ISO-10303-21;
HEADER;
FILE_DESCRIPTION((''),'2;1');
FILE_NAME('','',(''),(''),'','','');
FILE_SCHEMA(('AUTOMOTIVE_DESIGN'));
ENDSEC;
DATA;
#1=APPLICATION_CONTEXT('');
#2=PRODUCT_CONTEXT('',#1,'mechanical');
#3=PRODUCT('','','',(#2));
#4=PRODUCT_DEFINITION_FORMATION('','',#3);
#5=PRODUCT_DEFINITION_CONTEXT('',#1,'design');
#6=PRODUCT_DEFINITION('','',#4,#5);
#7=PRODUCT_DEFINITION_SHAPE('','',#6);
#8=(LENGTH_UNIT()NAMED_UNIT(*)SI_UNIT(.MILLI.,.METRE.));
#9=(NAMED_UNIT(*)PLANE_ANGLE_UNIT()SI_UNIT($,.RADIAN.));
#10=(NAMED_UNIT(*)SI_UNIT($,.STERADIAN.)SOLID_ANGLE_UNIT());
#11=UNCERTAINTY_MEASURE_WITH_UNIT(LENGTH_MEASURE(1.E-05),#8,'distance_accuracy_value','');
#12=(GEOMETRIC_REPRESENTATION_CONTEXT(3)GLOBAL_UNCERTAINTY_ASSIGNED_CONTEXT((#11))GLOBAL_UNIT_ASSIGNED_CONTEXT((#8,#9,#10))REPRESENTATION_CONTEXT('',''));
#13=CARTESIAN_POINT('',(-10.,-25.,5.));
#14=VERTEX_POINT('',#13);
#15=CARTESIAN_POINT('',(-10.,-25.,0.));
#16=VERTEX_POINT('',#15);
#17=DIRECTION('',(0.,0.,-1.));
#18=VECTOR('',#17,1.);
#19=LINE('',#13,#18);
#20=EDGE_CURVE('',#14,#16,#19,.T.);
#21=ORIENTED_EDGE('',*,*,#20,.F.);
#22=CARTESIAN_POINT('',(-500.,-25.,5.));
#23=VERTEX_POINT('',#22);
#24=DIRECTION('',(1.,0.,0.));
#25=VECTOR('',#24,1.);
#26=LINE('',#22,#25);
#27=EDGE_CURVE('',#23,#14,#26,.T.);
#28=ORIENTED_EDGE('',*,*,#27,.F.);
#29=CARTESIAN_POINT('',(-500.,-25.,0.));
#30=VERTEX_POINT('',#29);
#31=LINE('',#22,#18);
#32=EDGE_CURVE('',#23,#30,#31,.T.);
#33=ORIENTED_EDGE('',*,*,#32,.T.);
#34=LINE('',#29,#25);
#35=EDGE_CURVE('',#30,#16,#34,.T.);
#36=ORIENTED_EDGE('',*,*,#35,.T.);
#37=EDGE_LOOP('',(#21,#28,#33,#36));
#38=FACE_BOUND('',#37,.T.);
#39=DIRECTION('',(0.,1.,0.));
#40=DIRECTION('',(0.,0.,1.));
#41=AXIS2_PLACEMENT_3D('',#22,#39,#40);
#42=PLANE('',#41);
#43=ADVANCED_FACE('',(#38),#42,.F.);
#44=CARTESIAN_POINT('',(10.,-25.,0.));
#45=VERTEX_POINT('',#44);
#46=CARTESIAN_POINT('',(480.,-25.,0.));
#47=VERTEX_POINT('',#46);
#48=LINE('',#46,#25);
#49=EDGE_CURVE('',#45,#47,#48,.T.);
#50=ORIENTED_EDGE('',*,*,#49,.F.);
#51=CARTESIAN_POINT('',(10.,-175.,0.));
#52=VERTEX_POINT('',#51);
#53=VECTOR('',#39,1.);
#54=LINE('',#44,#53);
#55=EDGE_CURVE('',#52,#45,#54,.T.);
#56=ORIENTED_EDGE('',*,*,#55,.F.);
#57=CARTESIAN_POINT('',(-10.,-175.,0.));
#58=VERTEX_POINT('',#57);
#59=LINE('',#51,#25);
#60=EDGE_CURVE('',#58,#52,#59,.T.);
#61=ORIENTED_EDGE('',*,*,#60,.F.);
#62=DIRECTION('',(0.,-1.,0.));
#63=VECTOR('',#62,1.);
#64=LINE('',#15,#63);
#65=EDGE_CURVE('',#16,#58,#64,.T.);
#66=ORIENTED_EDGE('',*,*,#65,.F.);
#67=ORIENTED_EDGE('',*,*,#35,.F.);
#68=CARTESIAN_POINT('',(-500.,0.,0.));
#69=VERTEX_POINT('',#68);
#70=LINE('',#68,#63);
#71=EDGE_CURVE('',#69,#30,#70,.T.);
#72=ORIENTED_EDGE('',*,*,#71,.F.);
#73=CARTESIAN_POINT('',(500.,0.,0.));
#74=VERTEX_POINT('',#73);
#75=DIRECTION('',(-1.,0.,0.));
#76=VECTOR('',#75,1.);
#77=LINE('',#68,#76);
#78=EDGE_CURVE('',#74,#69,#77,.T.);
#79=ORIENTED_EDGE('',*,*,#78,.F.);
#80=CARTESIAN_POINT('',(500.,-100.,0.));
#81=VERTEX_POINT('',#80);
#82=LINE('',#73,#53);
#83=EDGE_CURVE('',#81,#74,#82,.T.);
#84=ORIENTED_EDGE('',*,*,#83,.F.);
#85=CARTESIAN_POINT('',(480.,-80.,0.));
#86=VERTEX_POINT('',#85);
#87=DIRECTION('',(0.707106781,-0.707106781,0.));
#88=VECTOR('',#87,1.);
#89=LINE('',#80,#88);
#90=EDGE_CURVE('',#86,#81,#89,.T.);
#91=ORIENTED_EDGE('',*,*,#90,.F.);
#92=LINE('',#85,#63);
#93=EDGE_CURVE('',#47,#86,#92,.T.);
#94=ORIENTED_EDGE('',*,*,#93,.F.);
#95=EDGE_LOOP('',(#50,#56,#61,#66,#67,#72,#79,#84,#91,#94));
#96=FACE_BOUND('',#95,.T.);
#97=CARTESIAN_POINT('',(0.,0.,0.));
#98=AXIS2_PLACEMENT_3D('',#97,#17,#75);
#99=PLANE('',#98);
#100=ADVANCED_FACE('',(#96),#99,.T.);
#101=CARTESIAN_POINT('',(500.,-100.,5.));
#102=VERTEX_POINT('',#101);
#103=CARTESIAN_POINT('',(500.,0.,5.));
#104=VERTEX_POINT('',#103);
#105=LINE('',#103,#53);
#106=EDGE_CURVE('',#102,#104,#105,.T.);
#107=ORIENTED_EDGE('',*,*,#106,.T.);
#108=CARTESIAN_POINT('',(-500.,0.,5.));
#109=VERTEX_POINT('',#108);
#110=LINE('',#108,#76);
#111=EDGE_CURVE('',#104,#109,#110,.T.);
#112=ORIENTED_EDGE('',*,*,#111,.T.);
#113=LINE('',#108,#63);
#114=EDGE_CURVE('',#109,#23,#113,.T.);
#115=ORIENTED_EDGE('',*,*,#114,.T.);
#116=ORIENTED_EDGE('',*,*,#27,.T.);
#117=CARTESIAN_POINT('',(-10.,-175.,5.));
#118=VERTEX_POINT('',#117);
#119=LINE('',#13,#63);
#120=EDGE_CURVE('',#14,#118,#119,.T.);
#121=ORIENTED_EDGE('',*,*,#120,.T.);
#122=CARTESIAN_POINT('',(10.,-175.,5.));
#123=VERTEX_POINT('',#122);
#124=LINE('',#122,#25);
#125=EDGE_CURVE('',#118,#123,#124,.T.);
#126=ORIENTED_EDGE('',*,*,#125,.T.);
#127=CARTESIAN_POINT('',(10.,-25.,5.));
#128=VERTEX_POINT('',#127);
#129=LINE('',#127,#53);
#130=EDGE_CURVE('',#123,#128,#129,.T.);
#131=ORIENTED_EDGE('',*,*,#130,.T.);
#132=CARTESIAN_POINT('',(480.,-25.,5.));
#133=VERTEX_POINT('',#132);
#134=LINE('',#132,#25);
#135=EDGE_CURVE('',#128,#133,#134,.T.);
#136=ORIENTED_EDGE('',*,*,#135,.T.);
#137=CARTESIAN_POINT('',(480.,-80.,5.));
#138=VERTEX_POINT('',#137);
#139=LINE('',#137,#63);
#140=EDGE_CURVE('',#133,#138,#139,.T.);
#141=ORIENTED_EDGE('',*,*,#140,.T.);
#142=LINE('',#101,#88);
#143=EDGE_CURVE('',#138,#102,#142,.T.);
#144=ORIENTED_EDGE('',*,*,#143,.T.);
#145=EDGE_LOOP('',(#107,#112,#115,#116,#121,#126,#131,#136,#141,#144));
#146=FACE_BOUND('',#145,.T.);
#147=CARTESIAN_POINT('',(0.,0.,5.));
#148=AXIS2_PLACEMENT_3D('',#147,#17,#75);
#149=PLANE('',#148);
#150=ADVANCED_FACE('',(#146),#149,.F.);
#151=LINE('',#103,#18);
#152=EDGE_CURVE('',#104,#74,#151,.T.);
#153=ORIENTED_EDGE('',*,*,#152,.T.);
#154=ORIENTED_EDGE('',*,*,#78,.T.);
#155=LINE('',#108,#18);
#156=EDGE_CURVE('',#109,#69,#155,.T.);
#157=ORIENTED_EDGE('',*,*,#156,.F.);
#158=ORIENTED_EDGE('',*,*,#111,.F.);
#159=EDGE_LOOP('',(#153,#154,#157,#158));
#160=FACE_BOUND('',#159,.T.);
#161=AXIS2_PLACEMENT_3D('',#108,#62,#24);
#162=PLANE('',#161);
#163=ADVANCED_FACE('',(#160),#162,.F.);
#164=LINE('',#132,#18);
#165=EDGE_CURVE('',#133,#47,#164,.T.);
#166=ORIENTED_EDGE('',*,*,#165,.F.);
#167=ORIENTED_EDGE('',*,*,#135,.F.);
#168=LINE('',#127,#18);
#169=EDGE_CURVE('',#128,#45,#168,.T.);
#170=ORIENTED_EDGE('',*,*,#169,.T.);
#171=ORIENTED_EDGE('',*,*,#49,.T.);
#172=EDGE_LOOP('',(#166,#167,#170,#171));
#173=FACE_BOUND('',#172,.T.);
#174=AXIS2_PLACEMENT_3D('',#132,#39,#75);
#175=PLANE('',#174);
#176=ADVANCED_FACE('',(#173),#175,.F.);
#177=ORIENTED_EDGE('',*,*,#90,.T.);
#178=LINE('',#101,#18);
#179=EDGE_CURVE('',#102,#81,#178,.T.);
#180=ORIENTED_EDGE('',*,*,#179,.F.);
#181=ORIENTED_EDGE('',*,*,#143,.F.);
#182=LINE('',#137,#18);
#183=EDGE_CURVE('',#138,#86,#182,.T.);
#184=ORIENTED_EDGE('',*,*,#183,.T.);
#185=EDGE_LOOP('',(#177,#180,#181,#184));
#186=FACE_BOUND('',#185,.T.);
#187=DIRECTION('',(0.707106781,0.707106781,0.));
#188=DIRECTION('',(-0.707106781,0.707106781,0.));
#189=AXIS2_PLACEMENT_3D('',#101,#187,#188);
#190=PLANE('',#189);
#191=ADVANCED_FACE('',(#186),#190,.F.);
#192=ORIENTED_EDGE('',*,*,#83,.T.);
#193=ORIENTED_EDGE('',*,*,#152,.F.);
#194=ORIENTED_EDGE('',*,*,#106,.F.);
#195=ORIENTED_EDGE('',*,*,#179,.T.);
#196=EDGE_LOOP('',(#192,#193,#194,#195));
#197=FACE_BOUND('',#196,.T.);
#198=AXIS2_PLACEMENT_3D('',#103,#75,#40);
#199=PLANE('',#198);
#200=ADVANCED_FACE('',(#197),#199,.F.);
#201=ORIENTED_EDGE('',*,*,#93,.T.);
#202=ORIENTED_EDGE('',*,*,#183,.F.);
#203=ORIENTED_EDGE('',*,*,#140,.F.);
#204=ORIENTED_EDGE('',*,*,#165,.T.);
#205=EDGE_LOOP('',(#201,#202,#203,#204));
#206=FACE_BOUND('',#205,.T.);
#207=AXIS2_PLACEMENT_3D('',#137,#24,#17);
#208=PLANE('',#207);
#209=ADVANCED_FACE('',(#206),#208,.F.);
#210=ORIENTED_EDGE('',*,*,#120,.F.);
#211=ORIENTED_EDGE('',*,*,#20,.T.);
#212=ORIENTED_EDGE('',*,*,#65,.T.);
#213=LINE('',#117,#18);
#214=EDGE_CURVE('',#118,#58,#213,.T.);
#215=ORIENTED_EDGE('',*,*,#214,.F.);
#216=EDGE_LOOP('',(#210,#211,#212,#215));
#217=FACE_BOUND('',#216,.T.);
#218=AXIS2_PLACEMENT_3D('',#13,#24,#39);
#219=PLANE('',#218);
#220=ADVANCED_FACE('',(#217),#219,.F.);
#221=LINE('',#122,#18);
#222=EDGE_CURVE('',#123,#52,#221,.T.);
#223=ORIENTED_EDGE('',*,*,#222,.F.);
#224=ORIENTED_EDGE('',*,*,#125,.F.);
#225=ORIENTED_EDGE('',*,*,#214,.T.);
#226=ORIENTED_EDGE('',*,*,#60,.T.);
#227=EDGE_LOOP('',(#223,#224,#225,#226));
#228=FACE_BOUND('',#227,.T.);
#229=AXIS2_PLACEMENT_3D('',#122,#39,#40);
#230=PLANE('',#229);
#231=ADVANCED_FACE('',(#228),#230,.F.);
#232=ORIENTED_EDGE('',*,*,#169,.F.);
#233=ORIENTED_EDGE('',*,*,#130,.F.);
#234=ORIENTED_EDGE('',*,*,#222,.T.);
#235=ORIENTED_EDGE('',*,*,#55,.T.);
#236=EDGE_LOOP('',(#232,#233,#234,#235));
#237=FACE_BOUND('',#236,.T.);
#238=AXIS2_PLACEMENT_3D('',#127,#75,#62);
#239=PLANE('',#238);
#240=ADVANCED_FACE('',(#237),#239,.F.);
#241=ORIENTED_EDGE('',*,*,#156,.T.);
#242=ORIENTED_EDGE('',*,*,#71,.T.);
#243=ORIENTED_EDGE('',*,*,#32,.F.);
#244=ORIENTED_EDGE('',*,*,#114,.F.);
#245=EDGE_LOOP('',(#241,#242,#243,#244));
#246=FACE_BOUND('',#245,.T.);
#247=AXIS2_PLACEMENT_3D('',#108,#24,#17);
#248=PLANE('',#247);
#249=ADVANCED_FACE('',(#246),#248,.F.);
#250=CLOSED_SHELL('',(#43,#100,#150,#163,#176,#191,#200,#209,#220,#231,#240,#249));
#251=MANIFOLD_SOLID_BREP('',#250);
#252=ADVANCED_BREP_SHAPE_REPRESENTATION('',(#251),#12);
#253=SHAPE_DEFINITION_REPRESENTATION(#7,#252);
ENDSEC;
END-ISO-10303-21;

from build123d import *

# Parameters (mm, degrees)
EXTRUDE_1_DEPTH = 5


with BuildPart() as part:
    # 草图1 → 凸台-拉伸1 (new body)
    with BuildSketch(Plane.XY):
        Polygon((-500, 0), (500, 0), (500, -100), (480, -80), (480, -25), (10, -25), (10, -175), (-10, -175), (-10, -25), (-500, -25), align=None)
    extrude(amount=EXTRUDE_1_DEPTH)


solid = part.part
